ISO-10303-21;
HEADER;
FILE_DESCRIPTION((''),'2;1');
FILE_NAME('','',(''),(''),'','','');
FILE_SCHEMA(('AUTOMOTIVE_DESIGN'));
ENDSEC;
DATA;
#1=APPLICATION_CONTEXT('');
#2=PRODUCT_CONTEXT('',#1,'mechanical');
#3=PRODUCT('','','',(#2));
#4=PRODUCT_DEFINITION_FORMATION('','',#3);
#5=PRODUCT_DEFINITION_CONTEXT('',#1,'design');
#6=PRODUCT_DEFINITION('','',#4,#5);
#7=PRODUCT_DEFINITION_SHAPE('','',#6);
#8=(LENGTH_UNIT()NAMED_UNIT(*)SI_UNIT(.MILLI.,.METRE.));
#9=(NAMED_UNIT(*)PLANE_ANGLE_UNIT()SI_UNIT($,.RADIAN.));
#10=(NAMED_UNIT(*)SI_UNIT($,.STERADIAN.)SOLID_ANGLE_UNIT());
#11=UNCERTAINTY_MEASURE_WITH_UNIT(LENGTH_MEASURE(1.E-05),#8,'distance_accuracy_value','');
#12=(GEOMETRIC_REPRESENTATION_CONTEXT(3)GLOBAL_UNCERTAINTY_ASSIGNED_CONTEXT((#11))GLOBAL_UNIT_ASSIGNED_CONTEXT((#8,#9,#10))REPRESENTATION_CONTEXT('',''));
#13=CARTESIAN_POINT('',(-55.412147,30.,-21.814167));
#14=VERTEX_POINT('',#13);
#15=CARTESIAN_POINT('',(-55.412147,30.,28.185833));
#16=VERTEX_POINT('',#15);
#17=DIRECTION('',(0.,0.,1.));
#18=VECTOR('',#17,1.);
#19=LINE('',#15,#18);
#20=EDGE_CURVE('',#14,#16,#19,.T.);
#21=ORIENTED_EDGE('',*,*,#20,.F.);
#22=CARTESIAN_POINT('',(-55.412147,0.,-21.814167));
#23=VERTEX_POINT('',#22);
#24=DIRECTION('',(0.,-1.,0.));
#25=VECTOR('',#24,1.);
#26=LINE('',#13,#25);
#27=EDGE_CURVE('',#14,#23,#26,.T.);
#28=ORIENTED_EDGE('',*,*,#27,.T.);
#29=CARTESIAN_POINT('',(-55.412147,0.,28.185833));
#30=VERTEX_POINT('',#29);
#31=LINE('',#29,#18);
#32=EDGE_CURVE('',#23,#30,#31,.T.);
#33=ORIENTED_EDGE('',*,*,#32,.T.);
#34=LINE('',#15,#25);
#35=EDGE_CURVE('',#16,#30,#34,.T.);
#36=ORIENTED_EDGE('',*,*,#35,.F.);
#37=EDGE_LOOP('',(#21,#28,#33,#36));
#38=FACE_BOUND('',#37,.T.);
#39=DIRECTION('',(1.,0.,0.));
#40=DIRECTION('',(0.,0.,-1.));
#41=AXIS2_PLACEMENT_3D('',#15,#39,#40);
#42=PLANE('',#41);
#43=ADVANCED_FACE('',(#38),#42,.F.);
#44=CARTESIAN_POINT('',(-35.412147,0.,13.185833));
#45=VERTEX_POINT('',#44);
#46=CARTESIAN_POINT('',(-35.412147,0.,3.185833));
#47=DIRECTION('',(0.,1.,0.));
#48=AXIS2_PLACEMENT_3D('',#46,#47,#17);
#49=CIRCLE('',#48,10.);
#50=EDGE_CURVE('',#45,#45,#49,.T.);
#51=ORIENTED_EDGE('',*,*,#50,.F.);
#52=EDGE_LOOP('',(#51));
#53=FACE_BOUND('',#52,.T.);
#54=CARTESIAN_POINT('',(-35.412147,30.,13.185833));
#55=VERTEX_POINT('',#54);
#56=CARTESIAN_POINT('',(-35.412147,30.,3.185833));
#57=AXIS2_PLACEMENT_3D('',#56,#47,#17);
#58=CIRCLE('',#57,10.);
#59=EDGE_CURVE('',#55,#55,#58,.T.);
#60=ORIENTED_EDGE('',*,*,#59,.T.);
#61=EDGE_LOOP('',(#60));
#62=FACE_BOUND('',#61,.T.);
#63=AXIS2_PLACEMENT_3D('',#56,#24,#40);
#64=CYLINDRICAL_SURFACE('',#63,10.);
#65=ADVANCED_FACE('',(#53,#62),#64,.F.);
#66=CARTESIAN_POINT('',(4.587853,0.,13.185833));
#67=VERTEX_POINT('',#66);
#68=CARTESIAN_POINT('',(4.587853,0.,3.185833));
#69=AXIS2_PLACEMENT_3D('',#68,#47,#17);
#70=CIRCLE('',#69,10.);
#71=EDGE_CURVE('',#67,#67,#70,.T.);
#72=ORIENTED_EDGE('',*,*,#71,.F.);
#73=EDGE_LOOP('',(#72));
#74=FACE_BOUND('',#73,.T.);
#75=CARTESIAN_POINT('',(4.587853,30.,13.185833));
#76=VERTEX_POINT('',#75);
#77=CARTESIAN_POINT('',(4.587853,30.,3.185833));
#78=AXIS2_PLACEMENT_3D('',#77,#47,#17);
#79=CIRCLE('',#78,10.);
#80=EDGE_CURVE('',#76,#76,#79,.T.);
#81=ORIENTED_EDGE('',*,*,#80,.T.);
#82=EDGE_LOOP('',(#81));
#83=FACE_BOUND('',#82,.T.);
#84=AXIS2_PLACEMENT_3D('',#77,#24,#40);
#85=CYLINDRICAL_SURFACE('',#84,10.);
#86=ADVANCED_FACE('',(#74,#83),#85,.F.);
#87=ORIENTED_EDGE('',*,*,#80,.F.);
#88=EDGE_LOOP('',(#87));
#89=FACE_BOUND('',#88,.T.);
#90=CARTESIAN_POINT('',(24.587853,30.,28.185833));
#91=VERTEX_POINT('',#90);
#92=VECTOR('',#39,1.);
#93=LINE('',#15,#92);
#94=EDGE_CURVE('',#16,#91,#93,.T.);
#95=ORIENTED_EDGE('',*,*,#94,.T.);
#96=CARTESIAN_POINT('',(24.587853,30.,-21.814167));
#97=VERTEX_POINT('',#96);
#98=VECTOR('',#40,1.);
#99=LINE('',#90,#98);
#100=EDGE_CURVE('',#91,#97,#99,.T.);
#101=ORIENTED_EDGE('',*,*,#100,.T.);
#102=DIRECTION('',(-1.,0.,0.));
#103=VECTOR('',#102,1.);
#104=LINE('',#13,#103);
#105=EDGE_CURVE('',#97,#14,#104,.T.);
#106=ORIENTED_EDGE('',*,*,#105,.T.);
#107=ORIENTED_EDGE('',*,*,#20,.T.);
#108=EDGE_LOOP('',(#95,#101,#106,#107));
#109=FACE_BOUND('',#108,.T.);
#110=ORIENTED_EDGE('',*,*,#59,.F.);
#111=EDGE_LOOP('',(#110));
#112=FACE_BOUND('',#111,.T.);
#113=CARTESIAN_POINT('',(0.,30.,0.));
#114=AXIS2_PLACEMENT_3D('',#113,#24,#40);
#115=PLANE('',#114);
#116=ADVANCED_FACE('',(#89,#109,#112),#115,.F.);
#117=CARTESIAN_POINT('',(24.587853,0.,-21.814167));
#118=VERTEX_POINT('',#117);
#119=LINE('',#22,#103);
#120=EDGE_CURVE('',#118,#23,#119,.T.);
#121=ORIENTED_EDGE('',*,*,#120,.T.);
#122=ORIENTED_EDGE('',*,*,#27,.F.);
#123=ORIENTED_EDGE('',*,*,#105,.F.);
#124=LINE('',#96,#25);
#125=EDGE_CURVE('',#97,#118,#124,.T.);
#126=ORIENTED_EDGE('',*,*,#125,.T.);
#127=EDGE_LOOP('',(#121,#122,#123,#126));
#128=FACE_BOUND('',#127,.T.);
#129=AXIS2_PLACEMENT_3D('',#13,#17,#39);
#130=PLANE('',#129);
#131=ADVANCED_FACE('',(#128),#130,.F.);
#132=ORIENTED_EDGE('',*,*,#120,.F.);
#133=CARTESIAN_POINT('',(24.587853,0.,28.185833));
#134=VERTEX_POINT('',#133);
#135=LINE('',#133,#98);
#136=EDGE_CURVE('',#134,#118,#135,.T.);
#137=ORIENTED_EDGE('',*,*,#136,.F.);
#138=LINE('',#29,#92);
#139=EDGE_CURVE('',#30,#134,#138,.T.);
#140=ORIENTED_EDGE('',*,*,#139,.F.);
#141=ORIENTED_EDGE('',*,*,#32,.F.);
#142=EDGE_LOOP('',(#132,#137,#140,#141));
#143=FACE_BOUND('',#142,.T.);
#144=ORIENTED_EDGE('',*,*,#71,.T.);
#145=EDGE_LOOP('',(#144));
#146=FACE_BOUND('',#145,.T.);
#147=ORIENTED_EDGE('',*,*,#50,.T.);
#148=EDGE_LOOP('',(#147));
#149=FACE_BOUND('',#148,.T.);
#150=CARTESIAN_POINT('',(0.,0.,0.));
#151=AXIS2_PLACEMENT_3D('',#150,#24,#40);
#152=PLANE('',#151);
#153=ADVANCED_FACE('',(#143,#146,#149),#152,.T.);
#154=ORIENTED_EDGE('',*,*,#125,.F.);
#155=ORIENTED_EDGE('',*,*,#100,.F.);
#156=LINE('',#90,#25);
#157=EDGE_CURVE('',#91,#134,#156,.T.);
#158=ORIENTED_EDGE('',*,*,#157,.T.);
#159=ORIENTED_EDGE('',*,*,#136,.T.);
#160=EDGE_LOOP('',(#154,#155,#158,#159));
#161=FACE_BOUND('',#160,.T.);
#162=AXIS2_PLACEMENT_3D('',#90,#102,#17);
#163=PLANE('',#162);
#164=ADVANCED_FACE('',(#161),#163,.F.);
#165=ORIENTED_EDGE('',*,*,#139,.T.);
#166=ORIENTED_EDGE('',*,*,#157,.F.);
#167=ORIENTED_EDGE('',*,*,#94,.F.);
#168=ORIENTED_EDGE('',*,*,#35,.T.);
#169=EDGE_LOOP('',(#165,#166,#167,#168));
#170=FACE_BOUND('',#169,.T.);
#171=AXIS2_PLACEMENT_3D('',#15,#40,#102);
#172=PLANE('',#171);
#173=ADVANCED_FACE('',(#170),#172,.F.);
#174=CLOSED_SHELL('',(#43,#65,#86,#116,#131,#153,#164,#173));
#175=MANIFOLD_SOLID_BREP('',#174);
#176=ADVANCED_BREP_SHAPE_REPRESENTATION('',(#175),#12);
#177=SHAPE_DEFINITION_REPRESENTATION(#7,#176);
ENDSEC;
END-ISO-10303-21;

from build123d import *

# Parameters (mm, degrees)
SKETCH_1_W      = 80
SKETCH_1_H      = 50
SKETCH_1_R      = 10
EXTRUDE_1_DEPTH = 30


with BuildPart() as part:
    # 스케치1 → 보스-돌출1 (new body)
    with BuildSketch(Plane(origin=(0, 0, 0), x_dir=(1, 0, 0), z_dir=(0, 1, 0))):
        with Locations((-15.412147326, -3.185832514)):
            Rectangle(SKETCH_1_W, SKETCH_1_H)
        with Locations(Location((-35.412147326, -3.185832514, 0), (0, 0, 270))):
            Circle(SKETCH_1_R, mode=Mode.SUBTRACT)
        with Locations(Location((4.587852674, -3.185832514, 0), (0, 0, 270))):
            Circle(SKETCH_1_R, mode=Mode.SUBTRACT)
    extrude(amount=EXTRUDE_1_DEPTH)


solid = part.part
